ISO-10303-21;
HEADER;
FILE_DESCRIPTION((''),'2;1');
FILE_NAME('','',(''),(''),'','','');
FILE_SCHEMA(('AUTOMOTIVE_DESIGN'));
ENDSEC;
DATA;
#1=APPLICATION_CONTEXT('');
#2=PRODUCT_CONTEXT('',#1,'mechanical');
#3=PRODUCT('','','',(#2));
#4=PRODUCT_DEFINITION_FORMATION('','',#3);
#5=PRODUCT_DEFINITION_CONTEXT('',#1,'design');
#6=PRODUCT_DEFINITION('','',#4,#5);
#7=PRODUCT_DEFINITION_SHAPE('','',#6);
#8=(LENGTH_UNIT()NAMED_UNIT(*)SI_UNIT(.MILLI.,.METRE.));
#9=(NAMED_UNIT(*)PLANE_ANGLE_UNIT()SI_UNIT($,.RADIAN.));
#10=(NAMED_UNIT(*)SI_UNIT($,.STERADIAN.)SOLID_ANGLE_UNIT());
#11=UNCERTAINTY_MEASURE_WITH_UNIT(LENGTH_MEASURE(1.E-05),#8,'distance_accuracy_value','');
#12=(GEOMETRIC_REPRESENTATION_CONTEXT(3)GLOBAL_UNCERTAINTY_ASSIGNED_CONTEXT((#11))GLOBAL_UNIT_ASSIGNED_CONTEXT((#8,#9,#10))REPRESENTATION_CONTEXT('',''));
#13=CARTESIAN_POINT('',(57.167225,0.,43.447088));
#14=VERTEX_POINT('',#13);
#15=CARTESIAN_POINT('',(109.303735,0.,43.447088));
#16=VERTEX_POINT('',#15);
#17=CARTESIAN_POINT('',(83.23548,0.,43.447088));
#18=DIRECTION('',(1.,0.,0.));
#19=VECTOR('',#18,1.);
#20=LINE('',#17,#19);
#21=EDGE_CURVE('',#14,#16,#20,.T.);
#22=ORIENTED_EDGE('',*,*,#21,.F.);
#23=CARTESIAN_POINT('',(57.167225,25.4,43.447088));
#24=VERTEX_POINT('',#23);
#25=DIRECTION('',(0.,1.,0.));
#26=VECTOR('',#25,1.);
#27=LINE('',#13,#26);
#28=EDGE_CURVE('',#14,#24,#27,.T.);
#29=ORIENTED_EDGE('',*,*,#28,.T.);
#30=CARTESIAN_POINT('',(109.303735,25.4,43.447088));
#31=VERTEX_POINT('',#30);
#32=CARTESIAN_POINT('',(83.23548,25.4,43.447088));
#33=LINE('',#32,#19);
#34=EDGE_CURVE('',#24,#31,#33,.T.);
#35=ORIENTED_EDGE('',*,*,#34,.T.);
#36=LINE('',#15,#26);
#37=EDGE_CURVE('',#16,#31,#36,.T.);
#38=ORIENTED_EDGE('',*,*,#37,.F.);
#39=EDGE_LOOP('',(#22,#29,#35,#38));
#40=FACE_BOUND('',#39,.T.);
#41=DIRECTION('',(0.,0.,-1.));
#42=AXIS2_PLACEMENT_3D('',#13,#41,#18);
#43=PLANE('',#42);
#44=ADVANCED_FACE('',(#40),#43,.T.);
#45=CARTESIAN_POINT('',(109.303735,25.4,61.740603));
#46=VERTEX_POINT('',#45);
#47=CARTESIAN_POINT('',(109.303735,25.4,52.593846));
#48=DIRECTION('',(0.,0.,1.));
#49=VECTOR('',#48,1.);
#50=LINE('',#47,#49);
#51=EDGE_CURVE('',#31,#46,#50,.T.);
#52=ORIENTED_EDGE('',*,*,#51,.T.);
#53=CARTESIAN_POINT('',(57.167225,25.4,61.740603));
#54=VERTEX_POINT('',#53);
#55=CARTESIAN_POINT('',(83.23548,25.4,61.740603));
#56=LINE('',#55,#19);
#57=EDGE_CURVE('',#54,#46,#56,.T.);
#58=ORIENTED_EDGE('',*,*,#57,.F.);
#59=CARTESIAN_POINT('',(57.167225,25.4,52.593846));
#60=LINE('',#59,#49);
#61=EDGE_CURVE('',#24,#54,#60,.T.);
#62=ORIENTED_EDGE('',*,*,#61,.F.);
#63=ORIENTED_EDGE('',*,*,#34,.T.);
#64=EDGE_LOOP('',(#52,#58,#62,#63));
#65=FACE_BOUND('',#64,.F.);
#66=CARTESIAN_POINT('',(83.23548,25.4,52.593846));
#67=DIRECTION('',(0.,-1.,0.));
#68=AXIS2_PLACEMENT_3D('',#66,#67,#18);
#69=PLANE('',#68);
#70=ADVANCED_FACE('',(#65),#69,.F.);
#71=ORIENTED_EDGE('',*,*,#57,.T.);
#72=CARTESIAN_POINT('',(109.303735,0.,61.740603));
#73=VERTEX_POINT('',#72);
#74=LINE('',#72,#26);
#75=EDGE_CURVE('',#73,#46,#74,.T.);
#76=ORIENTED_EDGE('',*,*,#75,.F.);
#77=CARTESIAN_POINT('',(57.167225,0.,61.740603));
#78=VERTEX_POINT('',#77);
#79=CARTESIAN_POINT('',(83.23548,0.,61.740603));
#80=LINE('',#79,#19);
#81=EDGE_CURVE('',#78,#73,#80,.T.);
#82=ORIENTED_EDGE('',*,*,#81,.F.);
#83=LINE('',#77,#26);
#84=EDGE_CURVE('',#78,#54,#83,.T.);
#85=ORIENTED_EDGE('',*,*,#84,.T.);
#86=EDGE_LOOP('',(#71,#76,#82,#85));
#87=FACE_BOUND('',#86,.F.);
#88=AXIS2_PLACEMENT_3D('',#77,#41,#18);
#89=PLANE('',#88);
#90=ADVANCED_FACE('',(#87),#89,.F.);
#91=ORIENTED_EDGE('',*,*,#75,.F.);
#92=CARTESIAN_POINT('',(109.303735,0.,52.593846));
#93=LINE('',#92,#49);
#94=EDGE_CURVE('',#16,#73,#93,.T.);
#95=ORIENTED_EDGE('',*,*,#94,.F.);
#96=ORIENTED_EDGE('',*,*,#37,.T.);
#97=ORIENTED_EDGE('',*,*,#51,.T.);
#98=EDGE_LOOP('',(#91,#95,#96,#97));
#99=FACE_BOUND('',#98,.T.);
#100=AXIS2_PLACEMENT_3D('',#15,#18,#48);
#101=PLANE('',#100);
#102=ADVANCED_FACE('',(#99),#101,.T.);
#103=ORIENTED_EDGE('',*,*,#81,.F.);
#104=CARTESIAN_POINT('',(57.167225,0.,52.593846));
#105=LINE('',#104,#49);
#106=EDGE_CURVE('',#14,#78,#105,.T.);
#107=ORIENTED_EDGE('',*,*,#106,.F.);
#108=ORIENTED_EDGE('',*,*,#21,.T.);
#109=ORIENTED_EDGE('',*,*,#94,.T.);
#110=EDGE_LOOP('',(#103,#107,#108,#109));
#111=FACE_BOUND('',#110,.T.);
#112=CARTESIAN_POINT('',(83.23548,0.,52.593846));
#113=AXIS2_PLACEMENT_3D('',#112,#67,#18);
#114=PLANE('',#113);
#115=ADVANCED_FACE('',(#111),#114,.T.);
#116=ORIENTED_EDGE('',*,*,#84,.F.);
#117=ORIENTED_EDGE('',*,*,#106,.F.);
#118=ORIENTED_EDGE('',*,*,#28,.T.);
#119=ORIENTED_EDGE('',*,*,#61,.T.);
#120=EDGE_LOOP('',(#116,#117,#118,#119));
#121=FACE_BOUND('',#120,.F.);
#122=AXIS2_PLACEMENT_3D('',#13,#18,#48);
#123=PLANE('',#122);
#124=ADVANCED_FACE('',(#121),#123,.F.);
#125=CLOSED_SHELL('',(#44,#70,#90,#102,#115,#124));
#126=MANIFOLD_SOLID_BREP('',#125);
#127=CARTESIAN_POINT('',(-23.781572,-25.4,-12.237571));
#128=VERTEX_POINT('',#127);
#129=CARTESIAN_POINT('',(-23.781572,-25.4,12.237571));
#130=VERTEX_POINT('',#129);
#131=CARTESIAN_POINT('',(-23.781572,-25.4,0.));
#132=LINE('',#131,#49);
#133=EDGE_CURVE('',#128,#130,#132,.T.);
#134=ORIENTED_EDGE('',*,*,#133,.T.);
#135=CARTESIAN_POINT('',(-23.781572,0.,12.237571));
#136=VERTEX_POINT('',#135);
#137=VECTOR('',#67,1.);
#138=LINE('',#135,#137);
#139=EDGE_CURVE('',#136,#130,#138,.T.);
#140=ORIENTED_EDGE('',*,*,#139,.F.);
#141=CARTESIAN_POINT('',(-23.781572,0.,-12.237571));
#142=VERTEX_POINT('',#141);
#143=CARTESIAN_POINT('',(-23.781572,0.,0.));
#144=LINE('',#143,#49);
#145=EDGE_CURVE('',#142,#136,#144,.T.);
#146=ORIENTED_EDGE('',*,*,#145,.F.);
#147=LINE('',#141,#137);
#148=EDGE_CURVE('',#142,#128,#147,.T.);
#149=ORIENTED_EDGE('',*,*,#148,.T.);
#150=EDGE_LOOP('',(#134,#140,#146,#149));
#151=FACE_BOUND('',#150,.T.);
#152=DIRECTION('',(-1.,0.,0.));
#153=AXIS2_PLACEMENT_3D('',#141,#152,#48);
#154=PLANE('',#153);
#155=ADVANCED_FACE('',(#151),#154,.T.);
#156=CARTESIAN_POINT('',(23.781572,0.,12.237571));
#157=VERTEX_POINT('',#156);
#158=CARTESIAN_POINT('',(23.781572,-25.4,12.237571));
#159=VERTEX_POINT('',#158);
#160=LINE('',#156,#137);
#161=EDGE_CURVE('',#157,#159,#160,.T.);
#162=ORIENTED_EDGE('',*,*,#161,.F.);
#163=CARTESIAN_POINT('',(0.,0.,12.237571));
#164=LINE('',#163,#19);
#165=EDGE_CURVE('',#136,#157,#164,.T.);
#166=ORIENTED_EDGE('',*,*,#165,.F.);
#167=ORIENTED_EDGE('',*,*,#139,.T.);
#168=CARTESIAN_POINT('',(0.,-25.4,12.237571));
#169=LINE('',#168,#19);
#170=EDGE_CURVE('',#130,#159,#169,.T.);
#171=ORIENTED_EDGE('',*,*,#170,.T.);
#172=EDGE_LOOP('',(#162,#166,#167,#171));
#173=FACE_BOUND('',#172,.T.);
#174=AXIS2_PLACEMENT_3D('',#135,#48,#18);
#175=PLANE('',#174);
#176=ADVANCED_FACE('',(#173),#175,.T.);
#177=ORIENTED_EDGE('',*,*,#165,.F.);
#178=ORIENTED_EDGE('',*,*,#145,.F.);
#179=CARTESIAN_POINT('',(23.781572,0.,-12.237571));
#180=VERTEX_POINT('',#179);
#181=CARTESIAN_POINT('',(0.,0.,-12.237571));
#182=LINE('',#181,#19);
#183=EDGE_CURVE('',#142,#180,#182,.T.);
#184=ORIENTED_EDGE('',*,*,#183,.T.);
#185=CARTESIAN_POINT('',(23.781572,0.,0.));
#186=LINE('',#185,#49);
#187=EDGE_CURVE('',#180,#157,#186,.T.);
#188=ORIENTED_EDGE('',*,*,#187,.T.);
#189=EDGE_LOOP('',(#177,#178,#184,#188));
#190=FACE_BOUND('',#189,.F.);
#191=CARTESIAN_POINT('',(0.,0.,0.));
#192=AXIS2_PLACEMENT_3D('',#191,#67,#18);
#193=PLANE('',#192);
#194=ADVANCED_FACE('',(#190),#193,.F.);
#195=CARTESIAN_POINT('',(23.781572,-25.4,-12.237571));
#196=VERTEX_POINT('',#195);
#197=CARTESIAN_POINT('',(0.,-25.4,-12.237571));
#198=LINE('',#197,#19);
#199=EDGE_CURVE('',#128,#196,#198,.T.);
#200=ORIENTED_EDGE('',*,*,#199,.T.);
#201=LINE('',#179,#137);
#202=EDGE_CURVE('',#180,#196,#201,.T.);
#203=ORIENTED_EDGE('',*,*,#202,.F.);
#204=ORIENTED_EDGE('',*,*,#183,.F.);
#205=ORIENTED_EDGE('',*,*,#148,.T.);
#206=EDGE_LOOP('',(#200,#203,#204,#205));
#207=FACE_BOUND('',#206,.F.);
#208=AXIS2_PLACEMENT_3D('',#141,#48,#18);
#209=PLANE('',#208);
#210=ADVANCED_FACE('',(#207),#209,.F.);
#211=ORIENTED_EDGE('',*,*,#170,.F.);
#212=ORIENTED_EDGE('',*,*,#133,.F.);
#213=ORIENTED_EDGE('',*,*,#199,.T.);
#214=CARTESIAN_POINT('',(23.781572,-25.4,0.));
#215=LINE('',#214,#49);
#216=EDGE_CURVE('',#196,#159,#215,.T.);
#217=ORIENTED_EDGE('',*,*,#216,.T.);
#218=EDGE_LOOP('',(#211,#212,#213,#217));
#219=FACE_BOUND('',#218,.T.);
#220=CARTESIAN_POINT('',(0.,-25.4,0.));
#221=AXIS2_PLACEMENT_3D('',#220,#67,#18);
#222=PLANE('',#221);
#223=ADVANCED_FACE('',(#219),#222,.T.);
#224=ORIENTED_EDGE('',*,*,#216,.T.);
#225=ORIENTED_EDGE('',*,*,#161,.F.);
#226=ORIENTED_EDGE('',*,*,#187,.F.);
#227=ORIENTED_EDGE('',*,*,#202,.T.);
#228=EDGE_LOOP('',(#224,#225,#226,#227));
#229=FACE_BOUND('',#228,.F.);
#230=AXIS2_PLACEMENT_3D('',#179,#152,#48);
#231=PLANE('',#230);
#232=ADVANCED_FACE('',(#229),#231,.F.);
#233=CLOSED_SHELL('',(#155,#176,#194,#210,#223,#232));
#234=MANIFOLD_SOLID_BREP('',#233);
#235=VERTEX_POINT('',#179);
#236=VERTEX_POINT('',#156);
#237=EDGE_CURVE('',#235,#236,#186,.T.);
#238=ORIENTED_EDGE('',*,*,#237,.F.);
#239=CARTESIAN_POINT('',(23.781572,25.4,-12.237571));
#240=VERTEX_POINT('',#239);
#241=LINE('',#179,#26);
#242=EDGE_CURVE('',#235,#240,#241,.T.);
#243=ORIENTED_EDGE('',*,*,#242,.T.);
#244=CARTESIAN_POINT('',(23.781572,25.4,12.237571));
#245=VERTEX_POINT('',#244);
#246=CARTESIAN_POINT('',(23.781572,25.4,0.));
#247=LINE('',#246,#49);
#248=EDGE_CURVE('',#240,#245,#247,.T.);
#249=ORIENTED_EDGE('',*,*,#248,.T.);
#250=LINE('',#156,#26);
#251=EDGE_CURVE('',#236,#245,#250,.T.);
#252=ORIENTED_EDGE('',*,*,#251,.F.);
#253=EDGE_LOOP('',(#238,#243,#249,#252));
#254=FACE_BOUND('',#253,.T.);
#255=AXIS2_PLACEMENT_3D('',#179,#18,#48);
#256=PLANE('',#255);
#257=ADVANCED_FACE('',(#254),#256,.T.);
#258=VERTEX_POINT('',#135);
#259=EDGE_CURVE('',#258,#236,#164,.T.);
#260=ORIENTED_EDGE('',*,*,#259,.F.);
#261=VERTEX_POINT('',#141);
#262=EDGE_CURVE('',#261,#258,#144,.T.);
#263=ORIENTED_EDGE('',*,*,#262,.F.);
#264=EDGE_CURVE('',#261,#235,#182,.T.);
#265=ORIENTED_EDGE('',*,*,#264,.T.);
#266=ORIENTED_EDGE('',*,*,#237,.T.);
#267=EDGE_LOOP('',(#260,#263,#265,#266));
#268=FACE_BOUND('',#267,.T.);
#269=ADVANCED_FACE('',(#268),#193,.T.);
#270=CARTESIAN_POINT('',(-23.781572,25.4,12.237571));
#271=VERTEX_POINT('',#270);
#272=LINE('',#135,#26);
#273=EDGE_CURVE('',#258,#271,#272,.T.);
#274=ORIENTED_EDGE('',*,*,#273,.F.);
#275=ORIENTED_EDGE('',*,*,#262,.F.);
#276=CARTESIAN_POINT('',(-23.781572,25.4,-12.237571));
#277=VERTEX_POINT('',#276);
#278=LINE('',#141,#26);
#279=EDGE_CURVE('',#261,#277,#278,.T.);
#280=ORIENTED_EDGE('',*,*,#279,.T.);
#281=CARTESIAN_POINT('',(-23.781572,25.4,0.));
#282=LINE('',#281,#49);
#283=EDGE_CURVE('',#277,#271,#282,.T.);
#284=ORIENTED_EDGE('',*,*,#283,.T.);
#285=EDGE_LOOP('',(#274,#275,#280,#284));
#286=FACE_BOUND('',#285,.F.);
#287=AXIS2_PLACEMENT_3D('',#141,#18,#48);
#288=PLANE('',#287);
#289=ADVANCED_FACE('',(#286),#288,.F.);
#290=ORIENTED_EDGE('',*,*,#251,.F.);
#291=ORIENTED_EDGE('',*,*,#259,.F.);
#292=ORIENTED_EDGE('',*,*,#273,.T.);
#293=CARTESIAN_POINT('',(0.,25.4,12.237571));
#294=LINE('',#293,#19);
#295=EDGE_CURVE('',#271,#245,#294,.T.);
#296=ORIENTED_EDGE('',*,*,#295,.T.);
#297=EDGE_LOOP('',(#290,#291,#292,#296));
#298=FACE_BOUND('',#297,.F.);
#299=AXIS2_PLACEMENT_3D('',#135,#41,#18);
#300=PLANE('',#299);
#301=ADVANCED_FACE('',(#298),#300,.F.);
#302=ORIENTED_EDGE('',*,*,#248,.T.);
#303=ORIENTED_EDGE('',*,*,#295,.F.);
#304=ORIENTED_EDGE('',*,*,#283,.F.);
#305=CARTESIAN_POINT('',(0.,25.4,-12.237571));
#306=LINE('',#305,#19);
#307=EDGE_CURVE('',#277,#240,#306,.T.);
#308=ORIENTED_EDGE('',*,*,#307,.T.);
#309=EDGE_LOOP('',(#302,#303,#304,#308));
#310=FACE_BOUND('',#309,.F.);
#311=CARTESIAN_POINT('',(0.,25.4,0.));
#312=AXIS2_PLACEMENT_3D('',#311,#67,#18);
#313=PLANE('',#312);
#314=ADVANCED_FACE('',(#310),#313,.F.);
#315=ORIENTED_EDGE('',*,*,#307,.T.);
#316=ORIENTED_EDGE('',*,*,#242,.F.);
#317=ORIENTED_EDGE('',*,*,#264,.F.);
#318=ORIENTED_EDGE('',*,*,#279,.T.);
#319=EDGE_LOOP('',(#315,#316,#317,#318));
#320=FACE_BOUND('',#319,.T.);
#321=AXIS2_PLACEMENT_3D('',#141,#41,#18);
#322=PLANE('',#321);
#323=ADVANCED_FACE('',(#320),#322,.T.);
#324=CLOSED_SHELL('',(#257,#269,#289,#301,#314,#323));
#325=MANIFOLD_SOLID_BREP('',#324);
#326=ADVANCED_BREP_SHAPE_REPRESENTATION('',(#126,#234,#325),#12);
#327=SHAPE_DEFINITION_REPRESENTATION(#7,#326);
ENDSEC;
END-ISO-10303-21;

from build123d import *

# Parameters (mm, degrees)
F0_W     = 47.563144
F0_H     = 24.475142
F1_DEPTH = 25.4
F0_W_2   = 52.13651
F0_H_2   = 18.293515
F2_DEPTH = 25.4


with BuildPart() as f1:
    # F0 (on Front) → F1 (new body)
    with BuildSketch(Plane.XZ):
        Rectangle(F0_W, F0_H)
    extrude(amount=F1_DEPTH)


with BuildPart() as f2:
    # F0 (on Front) → F2 (new body)
    with BuildSketch(Plane.XZ):
        with Locations((83.23548, 52.593846)):
            Rectangle(F0_W_2, F0_H_2)
        Rectangle(F0_W, F0_H)
    extrude(amount=-F2_DEPTH)


solid = Compound([f1.part, f2.part])
